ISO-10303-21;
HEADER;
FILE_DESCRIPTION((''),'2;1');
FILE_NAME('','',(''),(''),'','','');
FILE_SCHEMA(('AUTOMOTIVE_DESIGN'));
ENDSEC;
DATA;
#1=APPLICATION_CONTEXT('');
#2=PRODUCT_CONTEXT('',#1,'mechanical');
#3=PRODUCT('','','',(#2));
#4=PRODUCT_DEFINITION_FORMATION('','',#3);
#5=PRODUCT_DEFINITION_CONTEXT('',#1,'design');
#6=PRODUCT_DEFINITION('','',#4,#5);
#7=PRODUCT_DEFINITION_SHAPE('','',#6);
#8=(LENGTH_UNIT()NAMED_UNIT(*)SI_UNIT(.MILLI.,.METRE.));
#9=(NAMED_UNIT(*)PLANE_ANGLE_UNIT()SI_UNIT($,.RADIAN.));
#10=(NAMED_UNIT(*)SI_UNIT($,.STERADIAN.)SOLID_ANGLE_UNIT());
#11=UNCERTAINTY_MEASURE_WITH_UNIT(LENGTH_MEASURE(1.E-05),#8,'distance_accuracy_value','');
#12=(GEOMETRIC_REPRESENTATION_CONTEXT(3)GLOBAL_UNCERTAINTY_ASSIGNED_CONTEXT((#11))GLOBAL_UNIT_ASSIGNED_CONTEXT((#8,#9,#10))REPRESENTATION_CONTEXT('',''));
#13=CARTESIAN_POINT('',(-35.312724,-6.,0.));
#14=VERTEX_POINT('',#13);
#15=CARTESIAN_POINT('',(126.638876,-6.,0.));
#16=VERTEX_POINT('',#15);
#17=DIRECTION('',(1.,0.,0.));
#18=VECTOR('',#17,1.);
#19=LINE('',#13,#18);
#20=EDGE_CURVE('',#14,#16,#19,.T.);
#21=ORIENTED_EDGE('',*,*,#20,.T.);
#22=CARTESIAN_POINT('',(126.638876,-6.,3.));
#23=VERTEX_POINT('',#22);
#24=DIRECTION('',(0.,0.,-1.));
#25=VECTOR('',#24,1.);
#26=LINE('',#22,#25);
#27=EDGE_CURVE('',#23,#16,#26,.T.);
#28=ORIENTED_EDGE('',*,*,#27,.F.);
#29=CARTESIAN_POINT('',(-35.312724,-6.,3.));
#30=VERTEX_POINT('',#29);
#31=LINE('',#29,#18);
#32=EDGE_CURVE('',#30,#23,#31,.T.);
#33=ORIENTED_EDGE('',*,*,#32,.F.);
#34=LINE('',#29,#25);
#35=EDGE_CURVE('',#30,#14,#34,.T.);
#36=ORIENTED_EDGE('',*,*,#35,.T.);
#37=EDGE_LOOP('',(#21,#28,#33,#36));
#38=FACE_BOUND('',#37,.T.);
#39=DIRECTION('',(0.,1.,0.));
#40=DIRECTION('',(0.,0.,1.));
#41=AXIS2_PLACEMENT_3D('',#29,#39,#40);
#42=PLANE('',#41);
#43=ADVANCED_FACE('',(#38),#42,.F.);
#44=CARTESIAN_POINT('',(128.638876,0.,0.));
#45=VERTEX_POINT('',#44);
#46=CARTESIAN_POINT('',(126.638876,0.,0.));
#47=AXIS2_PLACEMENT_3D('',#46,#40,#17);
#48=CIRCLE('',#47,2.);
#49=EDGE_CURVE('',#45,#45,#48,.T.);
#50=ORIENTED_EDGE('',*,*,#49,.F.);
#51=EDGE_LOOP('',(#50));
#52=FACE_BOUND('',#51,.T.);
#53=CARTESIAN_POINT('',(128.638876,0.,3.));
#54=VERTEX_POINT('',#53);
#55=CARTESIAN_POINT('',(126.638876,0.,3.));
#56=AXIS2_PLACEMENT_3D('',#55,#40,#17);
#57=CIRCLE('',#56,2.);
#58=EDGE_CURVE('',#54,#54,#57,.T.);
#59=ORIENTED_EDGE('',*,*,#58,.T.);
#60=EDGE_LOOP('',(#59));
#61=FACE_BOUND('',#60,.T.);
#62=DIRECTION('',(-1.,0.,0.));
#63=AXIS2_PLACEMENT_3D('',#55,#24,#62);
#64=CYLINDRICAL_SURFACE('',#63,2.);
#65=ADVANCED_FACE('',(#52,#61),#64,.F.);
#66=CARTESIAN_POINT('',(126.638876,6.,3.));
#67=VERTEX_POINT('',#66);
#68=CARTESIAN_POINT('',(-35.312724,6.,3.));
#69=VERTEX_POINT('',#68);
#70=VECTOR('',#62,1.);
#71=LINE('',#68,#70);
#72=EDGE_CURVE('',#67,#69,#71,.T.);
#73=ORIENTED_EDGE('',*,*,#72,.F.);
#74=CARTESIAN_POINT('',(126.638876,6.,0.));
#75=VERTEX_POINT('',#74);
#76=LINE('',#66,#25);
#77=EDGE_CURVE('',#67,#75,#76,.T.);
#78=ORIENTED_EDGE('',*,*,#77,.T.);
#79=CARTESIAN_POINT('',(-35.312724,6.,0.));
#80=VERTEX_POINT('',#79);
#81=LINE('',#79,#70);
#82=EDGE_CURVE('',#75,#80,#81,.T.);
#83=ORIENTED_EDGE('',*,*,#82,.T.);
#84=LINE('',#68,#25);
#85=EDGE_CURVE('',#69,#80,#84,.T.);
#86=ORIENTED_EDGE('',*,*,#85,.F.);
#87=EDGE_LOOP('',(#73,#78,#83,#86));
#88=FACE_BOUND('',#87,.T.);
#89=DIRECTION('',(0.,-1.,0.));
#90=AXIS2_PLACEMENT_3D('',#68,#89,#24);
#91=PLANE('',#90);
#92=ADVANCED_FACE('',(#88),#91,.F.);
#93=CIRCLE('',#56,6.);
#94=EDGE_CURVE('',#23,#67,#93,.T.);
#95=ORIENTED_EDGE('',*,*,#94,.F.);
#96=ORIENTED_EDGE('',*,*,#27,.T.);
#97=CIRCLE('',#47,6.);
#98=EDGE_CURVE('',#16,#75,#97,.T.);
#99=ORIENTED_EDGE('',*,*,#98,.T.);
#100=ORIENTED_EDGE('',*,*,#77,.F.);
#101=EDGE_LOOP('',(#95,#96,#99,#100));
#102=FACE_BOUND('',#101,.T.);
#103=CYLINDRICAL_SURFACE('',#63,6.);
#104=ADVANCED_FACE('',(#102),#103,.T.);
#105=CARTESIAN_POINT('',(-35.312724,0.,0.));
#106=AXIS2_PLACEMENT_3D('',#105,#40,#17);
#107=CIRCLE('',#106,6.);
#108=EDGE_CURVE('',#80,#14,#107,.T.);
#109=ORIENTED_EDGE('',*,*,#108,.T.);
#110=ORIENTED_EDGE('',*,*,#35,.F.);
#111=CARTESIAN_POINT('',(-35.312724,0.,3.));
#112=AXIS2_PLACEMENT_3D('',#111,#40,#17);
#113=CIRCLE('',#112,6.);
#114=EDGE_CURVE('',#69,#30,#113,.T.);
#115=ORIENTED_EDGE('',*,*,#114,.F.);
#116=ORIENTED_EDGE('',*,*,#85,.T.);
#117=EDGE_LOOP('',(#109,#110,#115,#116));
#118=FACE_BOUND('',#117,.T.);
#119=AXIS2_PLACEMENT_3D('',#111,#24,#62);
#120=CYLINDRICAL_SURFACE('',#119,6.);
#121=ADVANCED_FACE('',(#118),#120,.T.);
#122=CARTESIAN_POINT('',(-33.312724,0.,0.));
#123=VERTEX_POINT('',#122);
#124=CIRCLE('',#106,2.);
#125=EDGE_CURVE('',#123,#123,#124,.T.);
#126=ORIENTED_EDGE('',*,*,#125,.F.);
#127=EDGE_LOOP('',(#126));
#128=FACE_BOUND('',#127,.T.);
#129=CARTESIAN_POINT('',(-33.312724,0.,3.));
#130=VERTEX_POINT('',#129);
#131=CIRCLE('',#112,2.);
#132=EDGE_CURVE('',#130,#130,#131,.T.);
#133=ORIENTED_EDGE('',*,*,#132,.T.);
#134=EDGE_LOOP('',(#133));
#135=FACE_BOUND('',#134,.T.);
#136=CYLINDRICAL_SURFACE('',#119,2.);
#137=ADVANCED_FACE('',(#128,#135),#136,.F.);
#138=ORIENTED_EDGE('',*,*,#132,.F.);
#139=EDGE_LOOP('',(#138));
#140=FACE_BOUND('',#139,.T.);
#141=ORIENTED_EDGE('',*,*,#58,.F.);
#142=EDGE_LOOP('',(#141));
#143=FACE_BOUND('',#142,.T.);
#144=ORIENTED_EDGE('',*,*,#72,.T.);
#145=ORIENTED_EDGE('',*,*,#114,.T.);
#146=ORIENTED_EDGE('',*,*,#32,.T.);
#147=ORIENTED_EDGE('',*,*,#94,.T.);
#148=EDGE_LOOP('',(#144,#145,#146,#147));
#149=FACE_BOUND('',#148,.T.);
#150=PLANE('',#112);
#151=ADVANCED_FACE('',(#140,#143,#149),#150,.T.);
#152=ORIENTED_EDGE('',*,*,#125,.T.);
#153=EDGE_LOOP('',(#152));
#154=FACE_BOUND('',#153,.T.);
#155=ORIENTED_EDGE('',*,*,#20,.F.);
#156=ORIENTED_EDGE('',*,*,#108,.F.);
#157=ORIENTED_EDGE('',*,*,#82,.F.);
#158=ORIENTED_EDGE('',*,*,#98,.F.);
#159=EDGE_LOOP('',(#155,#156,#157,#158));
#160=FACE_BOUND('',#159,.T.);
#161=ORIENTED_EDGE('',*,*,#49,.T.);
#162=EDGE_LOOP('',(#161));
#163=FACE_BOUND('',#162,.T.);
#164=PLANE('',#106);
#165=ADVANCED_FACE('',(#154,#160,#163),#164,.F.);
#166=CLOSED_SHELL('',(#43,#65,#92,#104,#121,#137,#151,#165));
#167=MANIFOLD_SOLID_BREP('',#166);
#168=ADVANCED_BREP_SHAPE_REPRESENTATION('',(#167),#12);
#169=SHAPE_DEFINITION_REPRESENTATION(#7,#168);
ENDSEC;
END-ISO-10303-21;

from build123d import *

# Parameters (mm, degrees)
SKETCH1_R           = 2
BOSS_EXTRUDE3_DEPTH = 3


with BuildPart() as part:
    # Sketch1 → Boss-Extrude3 (new body)
    with BuildSketch(Plane.XY):
        with BuildLine():
            Line((-35.312724167, 6), (126.638875833, 6))
            ThreePointArc((126.638875833, 6), (132.638875833, 0), (126.638875833, -6))
            Line((126.638875833, -6), (-35.312724167, -6))
            ThreePointArc((-35.312724167, -6), (-41.312724167, 0), (-35.312724167, 6))
        make_face()
        with Locations((-35.312724167, 0)):
            Circle(SKETCH1_R, mode=Mode.SUBTRACT)
        with Locations((126.638875833, 0)):
            Circle(SKETCH1_R, mode=Mode.SUBTRACT)
    extrude(amount=BOSS_EXTRUDE3_DEPTH)


solid = part.part
